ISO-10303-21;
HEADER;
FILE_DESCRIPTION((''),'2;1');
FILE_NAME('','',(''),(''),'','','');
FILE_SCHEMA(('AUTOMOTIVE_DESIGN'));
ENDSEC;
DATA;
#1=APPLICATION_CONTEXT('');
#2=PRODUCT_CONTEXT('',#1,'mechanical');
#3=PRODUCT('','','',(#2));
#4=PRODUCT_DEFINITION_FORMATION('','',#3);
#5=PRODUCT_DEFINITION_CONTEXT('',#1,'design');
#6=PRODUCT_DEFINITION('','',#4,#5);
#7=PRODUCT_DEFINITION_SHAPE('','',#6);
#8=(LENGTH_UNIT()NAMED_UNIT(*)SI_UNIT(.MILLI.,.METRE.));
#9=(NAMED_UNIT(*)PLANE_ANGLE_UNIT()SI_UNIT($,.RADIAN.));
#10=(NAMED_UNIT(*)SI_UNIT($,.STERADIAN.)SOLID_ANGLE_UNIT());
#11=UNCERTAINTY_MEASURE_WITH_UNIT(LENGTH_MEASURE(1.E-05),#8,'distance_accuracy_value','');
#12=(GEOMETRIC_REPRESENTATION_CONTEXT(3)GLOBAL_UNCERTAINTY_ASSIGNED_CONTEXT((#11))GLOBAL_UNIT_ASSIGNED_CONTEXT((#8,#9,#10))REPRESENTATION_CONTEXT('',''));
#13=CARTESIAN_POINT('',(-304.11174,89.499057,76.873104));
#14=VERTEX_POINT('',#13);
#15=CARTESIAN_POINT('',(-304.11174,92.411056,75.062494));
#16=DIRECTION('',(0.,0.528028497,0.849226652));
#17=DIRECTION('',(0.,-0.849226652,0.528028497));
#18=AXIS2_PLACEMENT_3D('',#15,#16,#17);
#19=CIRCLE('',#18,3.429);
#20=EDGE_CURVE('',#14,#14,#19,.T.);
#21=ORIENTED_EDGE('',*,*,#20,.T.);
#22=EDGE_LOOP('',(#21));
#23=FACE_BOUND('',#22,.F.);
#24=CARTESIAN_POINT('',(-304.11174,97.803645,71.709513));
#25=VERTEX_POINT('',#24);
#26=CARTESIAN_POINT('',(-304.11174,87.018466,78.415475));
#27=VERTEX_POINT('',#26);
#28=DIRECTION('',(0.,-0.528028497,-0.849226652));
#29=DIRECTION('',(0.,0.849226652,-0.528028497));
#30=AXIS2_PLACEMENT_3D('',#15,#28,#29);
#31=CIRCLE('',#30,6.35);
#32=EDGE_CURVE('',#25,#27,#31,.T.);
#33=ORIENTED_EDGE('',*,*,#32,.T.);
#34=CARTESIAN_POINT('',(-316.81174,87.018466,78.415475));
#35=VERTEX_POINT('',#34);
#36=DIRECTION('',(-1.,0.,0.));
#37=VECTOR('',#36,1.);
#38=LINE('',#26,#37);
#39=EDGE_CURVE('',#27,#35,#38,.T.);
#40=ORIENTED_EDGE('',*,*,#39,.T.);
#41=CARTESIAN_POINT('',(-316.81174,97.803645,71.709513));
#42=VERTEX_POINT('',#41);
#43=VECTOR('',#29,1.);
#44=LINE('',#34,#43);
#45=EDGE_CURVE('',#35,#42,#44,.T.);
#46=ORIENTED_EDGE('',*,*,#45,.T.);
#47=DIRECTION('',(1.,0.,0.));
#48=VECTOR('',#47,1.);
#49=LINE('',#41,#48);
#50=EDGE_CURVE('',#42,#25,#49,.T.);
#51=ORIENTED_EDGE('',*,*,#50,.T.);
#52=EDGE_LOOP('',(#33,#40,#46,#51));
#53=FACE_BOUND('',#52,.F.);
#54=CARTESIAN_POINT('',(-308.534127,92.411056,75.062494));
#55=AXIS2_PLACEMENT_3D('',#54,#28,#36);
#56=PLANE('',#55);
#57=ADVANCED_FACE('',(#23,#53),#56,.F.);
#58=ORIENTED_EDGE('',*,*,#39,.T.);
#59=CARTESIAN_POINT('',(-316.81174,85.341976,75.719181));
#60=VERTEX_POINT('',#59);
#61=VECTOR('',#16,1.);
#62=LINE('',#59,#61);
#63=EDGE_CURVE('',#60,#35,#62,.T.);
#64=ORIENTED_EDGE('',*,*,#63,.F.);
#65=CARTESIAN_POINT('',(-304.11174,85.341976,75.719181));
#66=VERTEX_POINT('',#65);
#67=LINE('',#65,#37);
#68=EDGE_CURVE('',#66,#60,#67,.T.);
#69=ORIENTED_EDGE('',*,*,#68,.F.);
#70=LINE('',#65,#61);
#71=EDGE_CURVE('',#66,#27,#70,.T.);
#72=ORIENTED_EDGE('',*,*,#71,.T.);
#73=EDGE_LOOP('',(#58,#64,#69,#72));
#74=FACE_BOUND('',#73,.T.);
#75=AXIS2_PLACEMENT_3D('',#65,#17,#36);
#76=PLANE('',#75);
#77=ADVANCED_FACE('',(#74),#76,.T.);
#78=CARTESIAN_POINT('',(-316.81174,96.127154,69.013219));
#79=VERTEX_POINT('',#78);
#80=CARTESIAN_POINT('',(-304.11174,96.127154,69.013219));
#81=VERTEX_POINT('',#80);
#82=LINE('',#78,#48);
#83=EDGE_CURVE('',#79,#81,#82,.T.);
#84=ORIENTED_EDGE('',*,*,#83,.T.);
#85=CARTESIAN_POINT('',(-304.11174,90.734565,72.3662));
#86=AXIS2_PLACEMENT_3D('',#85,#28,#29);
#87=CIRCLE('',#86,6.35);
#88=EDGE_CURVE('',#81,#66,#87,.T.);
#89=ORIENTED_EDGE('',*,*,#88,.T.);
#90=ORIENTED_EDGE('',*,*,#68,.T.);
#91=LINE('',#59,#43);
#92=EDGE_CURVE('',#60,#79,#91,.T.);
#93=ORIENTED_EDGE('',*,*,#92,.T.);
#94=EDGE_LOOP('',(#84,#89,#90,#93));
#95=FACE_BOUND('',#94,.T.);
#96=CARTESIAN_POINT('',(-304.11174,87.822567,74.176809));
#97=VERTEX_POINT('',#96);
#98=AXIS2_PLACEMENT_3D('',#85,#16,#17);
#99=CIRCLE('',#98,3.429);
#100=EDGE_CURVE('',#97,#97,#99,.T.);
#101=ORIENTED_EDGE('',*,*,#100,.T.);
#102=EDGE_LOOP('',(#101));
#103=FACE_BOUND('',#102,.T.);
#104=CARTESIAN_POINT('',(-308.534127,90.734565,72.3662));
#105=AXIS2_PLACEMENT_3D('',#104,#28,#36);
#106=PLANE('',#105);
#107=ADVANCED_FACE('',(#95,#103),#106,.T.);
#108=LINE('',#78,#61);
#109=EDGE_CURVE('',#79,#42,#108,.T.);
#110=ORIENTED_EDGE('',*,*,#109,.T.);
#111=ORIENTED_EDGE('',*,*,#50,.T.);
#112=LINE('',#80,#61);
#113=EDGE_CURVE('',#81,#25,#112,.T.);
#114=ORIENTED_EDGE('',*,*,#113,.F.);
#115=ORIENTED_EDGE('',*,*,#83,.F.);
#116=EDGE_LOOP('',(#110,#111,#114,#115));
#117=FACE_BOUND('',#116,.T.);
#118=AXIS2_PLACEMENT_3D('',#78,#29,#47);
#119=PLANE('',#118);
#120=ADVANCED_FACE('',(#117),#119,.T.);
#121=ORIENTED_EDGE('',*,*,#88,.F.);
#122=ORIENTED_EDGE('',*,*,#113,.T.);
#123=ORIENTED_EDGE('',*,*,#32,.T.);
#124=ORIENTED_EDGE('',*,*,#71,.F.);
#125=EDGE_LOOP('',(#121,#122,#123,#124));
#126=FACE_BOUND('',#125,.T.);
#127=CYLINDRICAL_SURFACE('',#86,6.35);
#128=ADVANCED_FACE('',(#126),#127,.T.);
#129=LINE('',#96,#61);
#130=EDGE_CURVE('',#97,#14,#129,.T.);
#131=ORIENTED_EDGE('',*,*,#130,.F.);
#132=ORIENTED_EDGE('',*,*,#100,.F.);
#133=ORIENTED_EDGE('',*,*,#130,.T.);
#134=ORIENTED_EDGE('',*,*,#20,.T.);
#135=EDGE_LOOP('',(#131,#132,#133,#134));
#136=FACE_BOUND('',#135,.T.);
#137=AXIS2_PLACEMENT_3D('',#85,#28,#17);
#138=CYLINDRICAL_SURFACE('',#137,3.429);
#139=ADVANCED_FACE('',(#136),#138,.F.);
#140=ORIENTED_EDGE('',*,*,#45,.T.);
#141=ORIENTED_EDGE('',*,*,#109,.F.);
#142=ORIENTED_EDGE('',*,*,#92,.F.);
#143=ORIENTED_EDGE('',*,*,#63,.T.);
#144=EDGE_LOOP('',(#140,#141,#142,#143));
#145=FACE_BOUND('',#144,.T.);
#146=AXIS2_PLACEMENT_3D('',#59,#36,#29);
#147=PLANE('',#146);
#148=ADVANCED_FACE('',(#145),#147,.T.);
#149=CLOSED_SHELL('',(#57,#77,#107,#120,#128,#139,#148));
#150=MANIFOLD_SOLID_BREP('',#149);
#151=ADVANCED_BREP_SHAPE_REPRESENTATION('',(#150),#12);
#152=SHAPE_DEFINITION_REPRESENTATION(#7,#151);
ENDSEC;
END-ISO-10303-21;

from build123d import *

# Parameters (mm, degrees)
SKETCH1_R           = 3.429
BOSS_EXTRUDE1_DEPTH = 3.175


with BuildPart() as part:
    # Sketch1 → Boss-Extrude1 (new body)
    with BuildSketch(Plane(origin=(0, 57.748228162, 92.87630262), x_dir=(1, 0, 0), z_dir=(8.275595139596941e-15, 0.5280284968261333, 0.84922665204263))):
        with BuildLine():
            Line((-316.811740451, 45.192795345), (-304.111740451, 45.192795345))
            ThreePointArc((-304.111740451, 45.192795345), (-297.761740451, 38.842795345), (-304.111740451, 32.492795345))
            Line((-304.111740451, 32.492795345), (-316.811740451, 32.492795345))
            Line((-316.811740451, 32.492795345), (-316.811740451, 45.192795345))
        make_face()
        with Locations(Location((-304.111740451, 38.842795345, 0), (0, 0, 270))):
            Circle(SKETCH1_R, mode=Mode.SUBTRACT)
    extrude(amount=BOSS_EXTRUDE1_DEPTH)


solid = part.part
